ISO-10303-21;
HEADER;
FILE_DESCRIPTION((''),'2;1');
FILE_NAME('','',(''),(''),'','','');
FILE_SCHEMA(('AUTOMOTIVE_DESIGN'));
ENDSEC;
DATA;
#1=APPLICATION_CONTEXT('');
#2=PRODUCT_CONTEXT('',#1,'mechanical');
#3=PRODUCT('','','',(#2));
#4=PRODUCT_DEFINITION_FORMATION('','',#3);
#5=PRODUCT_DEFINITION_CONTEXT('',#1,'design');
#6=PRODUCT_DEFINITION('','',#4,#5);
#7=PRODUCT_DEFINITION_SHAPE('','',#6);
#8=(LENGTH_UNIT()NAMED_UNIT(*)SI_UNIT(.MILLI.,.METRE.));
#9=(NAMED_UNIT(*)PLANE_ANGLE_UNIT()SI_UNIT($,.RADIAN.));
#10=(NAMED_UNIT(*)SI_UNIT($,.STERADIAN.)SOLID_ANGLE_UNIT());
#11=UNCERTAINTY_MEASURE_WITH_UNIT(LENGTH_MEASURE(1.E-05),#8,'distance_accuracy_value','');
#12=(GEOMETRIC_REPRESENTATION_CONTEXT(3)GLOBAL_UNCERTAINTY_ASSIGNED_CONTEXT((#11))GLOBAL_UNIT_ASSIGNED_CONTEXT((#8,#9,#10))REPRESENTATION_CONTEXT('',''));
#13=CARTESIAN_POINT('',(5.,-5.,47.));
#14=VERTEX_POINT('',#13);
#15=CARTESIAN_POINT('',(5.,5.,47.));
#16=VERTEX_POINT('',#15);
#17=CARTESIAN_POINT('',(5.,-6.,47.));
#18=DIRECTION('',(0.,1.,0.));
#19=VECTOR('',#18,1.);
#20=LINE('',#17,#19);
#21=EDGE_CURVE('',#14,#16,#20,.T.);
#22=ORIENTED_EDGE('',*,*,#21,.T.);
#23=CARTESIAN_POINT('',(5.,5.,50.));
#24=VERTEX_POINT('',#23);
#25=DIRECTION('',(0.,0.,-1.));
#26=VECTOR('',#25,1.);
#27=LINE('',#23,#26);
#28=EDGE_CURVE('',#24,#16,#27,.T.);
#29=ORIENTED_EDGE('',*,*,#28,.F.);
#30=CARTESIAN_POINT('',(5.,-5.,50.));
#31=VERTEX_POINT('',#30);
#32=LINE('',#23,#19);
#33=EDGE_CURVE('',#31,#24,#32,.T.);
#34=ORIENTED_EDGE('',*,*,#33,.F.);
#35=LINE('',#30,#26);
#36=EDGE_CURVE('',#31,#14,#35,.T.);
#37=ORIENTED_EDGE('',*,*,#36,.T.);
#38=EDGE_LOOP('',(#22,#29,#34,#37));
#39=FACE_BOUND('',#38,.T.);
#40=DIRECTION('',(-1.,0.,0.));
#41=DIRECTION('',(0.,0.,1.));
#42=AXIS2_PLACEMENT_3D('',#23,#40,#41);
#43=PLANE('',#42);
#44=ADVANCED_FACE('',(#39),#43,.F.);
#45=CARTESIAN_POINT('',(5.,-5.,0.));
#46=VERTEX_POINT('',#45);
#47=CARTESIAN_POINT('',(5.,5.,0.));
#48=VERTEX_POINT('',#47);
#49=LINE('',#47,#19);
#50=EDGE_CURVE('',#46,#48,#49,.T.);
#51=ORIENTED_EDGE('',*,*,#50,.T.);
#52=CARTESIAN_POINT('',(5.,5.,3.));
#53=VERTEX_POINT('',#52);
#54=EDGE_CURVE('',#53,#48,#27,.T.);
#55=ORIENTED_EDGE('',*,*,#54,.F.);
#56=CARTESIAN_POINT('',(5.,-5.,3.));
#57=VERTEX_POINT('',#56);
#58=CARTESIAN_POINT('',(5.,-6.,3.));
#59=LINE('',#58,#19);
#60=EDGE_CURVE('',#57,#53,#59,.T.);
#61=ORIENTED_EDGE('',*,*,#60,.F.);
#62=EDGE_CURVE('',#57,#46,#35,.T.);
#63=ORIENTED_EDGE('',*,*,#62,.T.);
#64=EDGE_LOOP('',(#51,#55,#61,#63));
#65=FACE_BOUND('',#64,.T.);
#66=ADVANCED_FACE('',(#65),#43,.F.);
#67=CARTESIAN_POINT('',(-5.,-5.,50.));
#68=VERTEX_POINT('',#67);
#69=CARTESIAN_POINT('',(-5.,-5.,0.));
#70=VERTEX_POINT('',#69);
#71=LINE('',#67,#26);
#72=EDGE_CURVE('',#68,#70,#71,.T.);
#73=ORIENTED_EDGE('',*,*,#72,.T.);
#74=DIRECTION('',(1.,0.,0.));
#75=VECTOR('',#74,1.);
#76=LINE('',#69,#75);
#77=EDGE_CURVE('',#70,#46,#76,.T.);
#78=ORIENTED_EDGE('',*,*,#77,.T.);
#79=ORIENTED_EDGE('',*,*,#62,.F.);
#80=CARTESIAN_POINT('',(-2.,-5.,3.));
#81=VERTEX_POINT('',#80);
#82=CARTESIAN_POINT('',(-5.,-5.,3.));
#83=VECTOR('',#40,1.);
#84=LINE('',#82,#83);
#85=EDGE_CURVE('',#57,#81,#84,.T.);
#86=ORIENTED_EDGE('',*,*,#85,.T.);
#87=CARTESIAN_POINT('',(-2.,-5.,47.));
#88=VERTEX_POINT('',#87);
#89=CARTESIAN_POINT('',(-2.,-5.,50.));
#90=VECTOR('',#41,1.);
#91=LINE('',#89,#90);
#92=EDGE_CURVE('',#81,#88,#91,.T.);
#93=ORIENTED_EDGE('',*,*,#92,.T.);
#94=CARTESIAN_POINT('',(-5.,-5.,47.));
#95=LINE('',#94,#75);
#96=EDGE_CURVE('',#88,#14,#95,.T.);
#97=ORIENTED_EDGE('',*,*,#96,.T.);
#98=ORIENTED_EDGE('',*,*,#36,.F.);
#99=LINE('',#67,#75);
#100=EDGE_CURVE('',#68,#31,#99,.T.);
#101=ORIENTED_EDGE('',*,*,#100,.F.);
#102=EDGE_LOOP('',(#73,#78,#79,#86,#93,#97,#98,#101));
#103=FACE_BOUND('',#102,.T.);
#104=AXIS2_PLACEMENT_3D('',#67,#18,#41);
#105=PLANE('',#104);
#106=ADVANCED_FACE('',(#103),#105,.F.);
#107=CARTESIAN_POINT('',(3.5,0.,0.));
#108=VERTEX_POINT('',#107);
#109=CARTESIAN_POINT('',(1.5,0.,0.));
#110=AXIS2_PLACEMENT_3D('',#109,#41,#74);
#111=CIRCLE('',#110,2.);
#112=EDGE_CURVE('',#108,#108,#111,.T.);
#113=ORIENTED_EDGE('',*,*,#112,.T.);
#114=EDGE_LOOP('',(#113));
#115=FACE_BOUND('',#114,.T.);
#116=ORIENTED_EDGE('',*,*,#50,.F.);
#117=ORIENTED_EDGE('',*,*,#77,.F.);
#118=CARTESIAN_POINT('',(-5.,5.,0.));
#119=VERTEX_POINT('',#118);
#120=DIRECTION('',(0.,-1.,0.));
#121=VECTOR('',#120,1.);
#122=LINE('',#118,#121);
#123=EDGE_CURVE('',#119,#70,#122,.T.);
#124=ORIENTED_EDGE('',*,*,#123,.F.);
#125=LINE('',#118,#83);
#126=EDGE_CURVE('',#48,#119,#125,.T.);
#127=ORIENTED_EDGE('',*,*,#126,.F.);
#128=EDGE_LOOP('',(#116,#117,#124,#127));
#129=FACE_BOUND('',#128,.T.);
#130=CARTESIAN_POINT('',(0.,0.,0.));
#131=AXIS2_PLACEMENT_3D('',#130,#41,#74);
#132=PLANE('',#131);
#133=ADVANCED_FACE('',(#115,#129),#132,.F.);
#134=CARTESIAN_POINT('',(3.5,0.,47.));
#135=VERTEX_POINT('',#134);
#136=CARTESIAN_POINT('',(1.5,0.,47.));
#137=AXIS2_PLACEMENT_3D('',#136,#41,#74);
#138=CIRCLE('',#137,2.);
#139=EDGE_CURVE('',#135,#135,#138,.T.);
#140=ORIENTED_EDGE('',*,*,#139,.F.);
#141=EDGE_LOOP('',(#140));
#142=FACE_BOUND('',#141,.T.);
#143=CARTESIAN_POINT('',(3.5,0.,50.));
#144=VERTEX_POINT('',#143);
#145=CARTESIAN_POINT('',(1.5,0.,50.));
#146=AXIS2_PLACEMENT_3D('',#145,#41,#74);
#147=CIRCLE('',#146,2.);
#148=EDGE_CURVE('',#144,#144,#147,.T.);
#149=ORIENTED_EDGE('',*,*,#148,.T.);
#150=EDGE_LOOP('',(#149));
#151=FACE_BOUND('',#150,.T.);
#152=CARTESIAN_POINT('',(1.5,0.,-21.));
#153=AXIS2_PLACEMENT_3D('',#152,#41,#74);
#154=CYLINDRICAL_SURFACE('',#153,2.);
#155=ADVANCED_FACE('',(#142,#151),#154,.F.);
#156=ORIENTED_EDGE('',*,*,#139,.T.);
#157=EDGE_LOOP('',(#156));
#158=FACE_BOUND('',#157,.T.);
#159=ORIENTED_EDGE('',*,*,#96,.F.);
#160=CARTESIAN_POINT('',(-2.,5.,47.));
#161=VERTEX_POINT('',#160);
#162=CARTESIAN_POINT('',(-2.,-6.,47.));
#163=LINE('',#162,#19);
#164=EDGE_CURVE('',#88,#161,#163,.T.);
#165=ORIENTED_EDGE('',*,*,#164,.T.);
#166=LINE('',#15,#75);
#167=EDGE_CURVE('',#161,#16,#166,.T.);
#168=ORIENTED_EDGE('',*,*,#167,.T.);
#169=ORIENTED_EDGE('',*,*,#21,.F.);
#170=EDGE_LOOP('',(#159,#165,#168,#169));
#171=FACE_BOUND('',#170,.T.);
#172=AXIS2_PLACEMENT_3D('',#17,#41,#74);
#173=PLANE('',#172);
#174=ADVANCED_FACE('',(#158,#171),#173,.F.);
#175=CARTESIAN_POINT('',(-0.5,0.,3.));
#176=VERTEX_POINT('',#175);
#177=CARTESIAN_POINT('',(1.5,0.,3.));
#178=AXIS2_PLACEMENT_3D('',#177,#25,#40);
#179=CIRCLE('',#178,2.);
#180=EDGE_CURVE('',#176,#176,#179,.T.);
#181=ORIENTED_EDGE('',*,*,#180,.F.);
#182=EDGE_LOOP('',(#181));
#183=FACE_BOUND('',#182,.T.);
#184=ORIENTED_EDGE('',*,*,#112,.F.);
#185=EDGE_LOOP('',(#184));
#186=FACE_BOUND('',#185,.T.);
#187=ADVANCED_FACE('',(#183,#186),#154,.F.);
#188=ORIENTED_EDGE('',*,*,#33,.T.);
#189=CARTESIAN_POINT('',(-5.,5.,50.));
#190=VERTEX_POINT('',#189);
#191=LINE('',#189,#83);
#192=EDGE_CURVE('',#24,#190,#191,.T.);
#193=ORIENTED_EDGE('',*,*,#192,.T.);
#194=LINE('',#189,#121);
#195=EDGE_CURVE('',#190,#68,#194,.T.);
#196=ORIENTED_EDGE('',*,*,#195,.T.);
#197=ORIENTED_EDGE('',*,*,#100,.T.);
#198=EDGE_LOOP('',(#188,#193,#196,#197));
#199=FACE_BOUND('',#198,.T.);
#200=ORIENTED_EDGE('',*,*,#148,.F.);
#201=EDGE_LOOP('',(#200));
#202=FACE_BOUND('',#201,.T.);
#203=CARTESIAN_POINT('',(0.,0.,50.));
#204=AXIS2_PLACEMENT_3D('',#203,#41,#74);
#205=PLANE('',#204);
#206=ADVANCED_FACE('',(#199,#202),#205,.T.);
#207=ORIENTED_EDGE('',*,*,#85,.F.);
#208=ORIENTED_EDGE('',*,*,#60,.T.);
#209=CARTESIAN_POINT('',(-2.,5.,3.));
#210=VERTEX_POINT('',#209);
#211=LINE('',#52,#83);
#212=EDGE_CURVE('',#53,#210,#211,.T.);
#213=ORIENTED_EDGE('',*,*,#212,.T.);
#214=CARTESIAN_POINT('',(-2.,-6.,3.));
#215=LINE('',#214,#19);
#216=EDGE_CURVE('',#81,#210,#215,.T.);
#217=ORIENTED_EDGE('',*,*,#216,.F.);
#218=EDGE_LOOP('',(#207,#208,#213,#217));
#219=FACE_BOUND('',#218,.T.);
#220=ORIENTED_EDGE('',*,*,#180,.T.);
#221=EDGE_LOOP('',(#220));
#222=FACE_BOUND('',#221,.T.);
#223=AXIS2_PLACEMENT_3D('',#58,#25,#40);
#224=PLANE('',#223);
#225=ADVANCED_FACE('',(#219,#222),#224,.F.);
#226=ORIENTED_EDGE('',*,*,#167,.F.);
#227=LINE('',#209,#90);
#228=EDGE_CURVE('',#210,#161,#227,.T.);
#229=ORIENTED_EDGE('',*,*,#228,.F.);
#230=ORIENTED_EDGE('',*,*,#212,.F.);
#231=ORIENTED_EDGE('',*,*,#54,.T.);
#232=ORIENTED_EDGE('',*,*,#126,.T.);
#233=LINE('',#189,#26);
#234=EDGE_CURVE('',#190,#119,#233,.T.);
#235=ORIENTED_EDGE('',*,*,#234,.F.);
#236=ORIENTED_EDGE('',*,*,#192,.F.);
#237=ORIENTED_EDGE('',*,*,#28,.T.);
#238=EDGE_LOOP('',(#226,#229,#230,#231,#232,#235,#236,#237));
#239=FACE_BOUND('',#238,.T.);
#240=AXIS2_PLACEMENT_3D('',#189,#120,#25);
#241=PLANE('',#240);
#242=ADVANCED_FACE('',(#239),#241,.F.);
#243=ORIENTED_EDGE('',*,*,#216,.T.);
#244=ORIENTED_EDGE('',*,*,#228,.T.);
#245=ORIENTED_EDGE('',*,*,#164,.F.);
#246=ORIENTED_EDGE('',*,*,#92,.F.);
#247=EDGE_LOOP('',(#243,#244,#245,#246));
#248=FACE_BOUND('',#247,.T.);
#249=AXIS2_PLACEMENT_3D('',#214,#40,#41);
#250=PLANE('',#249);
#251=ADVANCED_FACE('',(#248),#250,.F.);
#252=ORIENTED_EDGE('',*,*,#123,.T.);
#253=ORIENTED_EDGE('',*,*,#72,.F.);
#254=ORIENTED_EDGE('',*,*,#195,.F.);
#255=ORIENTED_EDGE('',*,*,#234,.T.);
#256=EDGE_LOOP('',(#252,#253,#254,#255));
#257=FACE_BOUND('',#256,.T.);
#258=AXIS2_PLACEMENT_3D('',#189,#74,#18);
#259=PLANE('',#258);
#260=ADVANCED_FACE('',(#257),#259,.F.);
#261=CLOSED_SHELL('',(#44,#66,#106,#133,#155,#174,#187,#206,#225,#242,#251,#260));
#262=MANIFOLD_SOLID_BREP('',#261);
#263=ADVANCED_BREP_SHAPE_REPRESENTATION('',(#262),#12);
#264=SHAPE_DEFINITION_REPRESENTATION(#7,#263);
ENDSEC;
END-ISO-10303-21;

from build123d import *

# Parameters (mm, degrees)
SKETCH1_W           = 10
SKETCH1_H           = 10
BOSS_EXTRUDE1_DEPTH = 50
SKETCH2_W           = 7
SKETCH2_H           = 44
CUT_EXTRUDE1_DEPTH  = 11
SKETCH3_R           = 2
CUT_EXTRUDE2_DEPTH  = 71


with BuildPart() as part:
    # Sketch1 → Boss-Extrude1 (new body)
    with BuildSketch(Plane.XY):
        Rectangle(SKETCH1_W, SKETCH1_H)
    extrude(amount=BOSS_EXTRUDE1_DEPTH)

    # Sketch2 → Cut-Extrude1 (cut)
    with BuildSketch(Plane(origin=(0, 5, 0), x_dir=(1, 0, 0), z_dir=(0, 1, 0))):
        with Locations((1.5, -25)):
            Rectangle(SKETCH2_W, SKETCH2_H)
    extrude(amount=-CUT_EXTRUDE1_DEPTH, mode=Mode.SUBTRACT)

    # Sketch3 → Cut-Extrude2 (cut)
    with BuildSketch(Plane.XY.offset(50)):
        with Locations((1.5, 0)):
            Circle(SKETCH3_R)
    extrude(amount=-CUT_EXTRUDE2_DEPTH, mode=Mode.SUBTRACT)


solid = part.part
